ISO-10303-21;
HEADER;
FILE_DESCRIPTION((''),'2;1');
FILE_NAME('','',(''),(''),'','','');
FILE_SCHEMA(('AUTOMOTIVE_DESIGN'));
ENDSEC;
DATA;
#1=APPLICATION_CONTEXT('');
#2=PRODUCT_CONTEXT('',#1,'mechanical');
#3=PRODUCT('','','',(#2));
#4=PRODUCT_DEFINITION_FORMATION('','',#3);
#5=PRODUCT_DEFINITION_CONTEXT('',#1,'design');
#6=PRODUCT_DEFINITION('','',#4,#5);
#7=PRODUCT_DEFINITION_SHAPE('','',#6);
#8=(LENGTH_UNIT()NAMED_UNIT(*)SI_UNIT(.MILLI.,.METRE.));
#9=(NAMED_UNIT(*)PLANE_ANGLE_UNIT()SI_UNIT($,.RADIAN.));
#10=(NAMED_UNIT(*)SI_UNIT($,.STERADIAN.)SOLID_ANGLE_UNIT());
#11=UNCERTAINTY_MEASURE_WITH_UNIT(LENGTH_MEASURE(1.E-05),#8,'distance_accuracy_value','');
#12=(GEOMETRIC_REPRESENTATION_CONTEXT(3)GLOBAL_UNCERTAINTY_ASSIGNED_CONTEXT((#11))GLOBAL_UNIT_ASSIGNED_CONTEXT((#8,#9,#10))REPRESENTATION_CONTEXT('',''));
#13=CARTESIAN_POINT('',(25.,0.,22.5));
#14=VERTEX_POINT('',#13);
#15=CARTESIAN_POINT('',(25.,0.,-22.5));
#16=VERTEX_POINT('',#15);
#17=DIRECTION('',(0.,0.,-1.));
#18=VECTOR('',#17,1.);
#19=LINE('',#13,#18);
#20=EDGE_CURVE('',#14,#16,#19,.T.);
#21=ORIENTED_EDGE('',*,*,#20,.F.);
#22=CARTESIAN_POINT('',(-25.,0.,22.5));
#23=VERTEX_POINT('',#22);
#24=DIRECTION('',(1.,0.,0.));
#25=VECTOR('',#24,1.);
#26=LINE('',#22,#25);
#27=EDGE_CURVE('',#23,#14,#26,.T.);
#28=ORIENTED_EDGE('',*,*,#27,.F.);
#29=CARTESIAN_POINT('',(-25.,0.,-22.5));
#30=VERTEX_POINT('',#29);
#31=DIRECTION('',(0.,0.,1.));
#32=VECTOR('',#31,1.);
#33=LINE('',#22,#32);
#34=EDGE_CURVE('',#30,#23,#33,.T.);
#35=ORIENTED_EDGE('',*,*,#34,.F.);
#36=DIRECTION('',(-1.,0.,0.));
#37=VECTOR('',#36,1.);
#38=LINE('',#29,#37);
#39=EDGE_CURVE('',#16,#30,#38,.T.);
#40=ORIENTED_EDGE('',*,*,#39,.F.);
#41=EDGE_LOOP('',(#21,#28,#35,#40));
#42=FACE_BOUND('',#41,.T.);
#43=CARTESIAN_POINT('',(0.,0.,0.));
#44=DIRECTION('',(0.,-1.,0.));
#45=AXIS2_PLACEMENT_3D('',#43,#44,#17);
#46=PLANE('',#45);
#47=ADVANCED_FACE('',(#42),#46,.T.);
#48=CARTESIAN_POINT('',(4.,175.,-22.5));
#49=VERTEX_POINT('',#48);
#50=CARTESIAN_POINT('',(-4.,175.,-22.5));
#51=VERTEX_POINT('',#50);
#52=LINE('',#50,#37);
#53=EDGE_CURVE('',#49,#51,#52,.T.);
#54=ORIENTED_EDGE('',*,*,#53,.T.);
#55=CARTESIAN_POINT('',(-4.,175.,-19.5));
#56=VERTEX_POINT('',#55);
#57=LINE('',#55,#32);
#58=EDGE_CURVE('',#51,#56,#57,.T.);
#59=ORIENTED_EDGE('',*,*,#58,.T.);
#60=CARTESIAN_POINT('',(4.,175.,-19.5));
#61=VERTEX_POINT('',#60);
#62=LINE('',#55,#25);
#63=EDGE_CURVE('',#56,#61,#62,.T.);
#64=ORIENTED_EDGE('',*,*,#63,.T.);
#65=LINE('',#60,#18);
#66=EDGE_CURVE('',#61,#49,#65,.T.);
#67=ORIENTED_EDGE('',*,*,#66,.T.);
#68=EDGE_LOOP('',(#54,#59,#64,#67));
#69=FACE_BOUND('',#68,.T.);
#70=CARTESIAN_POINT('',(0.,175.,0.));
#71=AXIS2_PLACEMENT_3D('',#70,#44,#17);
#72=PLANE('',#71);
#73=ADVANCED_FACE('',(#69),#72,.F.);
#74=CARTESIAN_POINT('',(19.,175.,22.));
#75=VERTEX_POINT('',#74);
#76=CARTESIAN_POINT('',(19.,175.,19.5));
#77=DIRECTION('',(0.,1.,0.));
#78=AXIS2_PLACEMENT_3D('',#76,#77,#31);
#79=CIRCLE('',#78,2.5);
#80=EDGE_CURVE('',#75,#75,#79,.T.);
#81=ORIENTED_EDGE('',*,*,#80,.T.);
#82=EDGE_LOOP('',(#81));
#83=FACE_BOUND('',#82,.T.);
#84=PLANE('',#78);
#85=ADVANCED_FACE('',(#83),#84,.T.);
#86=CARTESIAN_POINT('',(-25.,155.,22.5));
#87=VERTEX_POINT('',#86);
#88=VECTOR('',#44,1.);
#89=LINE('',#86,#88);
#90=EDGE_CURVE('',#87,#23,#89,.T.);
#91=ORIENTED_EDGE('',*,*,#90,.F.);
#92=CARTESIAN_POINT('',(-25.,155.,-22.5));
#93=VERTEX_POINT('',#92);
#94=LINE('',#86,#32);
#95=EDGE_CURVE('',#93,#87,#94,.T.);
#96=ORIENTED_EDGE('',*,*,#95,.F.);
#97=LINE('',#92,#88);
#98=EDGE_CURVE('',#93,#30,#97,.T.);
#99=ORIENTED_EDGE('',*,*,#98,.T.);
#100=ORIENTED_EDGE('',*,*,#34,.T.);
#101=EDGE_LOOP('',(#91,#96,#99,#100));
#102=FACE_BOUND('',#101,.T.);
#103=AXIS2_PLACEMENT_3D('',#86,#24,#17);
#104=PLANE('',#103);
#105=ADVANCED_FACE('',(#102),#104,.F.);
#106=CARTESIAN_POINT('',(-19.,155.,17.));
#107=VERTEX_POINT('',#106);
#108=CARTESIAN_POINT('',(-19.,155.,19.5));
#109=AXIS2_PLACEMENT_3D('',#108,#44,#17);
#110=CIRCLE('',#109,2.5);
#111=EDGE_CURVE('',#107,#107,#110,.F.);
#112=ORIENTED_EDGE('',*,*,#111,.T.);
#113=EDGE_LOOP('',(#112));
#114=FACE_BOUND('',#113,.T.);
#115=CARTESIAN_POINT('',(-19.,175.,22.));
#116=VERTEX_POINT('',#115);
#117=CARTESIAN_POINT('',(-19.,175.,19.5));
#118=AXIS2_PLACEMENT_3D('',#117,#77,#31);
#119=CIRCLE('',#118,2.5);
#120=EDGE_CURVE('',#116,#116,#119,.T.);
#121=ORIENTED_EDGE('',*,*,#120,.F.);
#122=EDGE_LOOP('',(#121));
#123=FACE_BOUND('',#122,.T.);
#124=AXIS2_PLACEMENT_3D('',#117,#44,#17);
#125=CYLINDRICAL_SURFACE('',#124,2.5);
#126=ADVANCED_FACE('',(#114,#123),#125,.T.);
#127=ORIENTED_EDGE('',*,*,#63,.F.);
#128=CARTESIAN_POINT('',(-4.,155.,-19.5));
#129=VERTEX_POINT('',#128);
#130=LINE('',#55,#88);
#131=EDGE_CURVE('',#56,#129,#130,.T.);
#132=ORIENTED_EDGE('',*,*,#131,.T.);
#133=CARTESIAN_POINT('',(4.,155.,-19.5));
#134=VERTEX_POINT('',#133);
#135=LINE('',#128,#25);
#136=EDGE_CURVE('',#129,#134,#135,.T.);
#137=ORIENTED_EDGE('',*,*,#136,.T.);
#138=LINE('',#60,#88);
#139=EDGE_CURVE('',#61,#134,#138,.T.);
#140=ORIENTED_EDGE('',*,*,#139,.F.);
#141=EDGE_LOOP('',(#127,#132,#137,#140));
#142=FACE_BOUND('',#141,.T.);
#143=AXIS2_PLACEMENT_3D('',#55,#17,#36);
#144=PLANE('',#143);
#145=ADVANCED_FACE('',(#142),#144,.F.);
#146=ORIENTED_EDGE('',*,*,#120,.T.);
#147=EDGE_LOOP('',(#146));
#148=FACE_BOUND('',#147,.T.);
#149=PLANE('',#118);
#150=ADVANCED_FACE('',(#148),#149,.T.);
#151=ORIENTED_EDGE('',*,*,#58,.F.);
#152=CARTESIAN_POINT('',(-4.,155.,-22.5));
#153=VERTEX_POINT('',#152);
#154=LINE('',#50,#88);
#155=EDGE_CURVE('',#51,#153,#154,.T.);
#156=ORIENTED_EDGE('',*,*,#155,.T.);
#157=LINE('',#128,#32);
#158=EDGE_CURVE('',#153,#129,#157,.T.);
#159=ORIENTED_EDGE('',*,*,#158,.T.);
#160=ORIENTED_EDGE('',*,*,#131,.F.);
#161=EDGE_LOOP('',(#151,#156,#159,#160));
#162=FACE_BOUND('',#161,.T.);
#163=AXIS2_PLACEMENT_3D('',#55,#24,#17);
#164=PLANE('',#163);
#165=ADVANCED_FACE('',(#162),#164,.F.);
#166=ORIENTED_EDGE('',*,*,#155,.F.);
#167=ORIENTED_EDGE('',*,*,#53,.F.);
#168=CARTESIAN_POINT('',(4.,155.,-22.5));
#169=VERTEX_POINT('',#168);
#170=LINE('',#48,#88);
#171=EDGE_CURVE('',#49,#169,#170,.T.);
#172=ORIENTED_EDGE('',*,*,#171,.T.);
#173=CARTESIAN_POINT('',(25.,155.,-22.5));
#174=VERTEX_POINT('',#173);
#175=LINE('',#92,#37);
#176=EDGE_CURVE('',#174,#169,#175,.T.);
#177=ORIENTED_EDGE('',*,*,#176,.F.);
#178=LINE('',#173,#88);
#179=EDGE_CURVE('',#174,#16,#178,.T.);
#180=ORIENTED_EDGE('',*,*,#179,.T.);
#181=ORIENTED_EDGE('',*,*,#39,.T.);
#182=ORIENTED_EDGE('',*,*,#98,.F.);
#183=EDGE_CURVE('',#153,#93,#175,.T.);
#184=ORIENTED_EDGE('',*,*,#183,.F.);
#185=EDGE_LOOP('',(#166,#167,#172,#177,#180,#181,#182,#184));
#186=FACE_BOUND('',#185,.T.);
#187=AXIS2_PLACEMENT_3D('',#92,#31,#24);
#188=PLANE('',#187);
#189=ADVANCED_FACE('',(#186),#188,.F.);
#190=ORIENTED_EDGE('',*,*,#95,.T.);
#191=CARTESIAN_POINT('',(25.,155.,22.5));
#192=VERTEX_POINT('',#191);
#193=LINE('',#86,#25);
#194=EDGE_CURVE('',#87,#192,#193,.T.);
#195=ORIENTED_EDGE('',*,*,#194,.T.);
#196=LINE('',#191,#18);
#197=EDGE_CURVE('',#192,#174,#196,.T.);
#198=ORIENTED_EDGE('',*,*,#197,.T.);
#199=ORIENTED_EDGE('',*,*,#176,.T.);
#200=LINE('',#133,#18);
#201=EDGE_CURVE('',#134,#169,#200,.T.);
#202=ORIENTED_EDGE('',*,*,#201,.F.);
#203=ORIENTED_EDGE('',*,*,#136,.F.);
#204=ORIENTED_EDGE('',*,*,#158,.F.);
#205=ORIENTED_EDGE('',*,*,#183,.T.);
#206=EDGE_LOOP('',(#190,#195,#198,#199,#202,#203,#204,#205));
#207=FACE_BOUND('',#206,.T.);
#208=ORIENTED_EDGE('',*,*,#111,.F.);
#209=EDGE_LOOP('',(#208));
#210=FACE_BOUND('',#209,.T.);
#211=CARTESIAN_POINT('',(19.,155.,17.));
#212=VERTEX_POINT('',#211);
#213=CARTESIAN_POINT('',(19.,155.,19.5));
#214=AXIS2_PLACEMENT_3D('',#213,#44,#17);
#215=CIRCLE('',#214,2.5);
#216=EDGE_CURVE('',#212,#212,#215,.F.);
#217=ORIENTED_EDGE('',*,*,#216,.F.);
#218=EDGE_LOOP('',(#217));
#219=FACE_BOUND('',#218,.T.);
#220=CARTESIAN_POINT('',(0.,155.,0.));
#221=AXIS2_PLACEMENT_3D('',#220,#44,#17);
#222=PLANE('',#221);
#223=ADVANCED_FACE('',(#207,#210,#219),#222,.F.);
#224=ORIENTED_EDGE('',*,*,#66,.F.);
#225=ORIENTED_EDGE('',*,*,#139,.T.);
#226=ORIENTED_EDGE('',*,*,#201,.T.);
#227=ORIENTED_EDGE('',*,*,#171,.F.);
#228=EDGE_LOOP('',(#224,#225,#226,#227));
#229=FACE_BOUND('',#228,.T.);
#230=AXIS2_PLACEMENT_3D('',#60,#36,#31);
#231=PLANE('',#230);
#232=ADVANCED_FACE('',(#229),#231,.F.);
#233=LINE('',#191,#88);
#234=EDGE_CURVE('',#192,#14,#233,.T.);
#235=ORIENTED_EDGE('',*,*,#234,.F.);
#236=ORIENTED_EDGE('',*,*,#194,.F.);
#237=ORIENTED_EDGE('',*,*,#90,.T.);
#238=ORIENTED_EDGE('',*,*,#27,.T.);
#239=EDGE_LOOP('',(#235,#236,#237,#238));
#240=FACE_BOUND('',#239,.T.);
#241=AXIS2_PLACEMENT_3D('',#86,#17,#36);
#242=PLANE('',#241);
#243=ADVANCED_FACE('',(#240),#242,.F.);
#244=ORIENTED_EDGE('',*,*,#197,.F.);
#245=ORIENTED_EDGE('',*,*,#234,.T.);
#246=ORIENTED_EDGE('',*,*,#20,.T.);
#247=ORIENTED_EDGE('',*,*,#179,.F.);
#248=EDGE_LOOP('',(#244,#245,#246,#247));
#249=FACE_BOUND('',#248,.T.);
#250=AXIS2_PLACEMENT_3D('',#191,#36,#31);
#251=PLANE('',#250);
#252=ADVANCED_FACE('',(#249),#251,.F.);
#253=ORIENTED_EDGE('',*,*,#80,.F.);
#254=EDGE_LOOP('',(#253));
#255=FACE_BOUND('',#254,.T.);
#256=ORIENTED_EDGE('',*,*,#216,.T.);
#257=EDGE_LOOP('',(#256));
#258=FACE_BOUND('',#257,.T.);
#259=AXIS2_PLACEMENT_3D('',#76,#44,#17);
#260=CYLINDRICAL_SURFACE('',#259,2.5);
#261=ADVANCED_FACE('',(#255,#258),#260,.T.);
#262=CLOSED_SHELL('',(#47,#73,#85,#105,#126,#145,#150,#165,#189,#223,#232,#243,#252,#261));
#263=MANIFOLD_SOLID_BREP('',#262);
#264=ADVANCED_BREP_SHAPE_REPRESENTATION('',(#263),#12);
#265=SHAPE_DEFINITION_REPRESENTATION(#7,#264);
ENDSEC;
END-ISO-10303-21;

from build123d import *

# Parameters (mm, degrees)
SKETCH_1_W      = 50
SKETCH_1_H      = 45
EXTRUDE_1_DEPTH = 155
SKETCH_2_R      = 2.5
SKETCH_2_W      = 8
SKETCH_2_H      = 3
EXTRUDE_2_DEPTH = 20


with BuildPart() as part:
    # 草图1 → 凸台-拉伸1 (new body)
    with BuildSketch(Plane(origin=(0, 0, 0), x_dir=(1, 0, 0), z_dir=(0, 1, 0))):
        Rectangle(SKETCH_1_W, SKETCH_1_H)
    extrude(amount=EXTRUDE_1_DEPTH)

    # 草图2 → 凸台-拉伸2 (add)
    with BuildSketch(Plane(origin=(0, 155, 0), x_dir=(1, 0, 0), z_dir=(0, 1, 0))):
        with Locations(Location((-19, -19.5, 0), (0, 0, 90))):
            Circle(SKETCH_2_R)
        with Locations(Location((19, -19.5, 0), (0, 0, 90))):
            Circle(SKETCH_2_R)
        with Locations((0, 21)):
            Rectangle(SKETCH_2_W, SKETCH_2_H)
    extrude(amount=EXTRUDE_2_DEPTH)


solid = part.part
